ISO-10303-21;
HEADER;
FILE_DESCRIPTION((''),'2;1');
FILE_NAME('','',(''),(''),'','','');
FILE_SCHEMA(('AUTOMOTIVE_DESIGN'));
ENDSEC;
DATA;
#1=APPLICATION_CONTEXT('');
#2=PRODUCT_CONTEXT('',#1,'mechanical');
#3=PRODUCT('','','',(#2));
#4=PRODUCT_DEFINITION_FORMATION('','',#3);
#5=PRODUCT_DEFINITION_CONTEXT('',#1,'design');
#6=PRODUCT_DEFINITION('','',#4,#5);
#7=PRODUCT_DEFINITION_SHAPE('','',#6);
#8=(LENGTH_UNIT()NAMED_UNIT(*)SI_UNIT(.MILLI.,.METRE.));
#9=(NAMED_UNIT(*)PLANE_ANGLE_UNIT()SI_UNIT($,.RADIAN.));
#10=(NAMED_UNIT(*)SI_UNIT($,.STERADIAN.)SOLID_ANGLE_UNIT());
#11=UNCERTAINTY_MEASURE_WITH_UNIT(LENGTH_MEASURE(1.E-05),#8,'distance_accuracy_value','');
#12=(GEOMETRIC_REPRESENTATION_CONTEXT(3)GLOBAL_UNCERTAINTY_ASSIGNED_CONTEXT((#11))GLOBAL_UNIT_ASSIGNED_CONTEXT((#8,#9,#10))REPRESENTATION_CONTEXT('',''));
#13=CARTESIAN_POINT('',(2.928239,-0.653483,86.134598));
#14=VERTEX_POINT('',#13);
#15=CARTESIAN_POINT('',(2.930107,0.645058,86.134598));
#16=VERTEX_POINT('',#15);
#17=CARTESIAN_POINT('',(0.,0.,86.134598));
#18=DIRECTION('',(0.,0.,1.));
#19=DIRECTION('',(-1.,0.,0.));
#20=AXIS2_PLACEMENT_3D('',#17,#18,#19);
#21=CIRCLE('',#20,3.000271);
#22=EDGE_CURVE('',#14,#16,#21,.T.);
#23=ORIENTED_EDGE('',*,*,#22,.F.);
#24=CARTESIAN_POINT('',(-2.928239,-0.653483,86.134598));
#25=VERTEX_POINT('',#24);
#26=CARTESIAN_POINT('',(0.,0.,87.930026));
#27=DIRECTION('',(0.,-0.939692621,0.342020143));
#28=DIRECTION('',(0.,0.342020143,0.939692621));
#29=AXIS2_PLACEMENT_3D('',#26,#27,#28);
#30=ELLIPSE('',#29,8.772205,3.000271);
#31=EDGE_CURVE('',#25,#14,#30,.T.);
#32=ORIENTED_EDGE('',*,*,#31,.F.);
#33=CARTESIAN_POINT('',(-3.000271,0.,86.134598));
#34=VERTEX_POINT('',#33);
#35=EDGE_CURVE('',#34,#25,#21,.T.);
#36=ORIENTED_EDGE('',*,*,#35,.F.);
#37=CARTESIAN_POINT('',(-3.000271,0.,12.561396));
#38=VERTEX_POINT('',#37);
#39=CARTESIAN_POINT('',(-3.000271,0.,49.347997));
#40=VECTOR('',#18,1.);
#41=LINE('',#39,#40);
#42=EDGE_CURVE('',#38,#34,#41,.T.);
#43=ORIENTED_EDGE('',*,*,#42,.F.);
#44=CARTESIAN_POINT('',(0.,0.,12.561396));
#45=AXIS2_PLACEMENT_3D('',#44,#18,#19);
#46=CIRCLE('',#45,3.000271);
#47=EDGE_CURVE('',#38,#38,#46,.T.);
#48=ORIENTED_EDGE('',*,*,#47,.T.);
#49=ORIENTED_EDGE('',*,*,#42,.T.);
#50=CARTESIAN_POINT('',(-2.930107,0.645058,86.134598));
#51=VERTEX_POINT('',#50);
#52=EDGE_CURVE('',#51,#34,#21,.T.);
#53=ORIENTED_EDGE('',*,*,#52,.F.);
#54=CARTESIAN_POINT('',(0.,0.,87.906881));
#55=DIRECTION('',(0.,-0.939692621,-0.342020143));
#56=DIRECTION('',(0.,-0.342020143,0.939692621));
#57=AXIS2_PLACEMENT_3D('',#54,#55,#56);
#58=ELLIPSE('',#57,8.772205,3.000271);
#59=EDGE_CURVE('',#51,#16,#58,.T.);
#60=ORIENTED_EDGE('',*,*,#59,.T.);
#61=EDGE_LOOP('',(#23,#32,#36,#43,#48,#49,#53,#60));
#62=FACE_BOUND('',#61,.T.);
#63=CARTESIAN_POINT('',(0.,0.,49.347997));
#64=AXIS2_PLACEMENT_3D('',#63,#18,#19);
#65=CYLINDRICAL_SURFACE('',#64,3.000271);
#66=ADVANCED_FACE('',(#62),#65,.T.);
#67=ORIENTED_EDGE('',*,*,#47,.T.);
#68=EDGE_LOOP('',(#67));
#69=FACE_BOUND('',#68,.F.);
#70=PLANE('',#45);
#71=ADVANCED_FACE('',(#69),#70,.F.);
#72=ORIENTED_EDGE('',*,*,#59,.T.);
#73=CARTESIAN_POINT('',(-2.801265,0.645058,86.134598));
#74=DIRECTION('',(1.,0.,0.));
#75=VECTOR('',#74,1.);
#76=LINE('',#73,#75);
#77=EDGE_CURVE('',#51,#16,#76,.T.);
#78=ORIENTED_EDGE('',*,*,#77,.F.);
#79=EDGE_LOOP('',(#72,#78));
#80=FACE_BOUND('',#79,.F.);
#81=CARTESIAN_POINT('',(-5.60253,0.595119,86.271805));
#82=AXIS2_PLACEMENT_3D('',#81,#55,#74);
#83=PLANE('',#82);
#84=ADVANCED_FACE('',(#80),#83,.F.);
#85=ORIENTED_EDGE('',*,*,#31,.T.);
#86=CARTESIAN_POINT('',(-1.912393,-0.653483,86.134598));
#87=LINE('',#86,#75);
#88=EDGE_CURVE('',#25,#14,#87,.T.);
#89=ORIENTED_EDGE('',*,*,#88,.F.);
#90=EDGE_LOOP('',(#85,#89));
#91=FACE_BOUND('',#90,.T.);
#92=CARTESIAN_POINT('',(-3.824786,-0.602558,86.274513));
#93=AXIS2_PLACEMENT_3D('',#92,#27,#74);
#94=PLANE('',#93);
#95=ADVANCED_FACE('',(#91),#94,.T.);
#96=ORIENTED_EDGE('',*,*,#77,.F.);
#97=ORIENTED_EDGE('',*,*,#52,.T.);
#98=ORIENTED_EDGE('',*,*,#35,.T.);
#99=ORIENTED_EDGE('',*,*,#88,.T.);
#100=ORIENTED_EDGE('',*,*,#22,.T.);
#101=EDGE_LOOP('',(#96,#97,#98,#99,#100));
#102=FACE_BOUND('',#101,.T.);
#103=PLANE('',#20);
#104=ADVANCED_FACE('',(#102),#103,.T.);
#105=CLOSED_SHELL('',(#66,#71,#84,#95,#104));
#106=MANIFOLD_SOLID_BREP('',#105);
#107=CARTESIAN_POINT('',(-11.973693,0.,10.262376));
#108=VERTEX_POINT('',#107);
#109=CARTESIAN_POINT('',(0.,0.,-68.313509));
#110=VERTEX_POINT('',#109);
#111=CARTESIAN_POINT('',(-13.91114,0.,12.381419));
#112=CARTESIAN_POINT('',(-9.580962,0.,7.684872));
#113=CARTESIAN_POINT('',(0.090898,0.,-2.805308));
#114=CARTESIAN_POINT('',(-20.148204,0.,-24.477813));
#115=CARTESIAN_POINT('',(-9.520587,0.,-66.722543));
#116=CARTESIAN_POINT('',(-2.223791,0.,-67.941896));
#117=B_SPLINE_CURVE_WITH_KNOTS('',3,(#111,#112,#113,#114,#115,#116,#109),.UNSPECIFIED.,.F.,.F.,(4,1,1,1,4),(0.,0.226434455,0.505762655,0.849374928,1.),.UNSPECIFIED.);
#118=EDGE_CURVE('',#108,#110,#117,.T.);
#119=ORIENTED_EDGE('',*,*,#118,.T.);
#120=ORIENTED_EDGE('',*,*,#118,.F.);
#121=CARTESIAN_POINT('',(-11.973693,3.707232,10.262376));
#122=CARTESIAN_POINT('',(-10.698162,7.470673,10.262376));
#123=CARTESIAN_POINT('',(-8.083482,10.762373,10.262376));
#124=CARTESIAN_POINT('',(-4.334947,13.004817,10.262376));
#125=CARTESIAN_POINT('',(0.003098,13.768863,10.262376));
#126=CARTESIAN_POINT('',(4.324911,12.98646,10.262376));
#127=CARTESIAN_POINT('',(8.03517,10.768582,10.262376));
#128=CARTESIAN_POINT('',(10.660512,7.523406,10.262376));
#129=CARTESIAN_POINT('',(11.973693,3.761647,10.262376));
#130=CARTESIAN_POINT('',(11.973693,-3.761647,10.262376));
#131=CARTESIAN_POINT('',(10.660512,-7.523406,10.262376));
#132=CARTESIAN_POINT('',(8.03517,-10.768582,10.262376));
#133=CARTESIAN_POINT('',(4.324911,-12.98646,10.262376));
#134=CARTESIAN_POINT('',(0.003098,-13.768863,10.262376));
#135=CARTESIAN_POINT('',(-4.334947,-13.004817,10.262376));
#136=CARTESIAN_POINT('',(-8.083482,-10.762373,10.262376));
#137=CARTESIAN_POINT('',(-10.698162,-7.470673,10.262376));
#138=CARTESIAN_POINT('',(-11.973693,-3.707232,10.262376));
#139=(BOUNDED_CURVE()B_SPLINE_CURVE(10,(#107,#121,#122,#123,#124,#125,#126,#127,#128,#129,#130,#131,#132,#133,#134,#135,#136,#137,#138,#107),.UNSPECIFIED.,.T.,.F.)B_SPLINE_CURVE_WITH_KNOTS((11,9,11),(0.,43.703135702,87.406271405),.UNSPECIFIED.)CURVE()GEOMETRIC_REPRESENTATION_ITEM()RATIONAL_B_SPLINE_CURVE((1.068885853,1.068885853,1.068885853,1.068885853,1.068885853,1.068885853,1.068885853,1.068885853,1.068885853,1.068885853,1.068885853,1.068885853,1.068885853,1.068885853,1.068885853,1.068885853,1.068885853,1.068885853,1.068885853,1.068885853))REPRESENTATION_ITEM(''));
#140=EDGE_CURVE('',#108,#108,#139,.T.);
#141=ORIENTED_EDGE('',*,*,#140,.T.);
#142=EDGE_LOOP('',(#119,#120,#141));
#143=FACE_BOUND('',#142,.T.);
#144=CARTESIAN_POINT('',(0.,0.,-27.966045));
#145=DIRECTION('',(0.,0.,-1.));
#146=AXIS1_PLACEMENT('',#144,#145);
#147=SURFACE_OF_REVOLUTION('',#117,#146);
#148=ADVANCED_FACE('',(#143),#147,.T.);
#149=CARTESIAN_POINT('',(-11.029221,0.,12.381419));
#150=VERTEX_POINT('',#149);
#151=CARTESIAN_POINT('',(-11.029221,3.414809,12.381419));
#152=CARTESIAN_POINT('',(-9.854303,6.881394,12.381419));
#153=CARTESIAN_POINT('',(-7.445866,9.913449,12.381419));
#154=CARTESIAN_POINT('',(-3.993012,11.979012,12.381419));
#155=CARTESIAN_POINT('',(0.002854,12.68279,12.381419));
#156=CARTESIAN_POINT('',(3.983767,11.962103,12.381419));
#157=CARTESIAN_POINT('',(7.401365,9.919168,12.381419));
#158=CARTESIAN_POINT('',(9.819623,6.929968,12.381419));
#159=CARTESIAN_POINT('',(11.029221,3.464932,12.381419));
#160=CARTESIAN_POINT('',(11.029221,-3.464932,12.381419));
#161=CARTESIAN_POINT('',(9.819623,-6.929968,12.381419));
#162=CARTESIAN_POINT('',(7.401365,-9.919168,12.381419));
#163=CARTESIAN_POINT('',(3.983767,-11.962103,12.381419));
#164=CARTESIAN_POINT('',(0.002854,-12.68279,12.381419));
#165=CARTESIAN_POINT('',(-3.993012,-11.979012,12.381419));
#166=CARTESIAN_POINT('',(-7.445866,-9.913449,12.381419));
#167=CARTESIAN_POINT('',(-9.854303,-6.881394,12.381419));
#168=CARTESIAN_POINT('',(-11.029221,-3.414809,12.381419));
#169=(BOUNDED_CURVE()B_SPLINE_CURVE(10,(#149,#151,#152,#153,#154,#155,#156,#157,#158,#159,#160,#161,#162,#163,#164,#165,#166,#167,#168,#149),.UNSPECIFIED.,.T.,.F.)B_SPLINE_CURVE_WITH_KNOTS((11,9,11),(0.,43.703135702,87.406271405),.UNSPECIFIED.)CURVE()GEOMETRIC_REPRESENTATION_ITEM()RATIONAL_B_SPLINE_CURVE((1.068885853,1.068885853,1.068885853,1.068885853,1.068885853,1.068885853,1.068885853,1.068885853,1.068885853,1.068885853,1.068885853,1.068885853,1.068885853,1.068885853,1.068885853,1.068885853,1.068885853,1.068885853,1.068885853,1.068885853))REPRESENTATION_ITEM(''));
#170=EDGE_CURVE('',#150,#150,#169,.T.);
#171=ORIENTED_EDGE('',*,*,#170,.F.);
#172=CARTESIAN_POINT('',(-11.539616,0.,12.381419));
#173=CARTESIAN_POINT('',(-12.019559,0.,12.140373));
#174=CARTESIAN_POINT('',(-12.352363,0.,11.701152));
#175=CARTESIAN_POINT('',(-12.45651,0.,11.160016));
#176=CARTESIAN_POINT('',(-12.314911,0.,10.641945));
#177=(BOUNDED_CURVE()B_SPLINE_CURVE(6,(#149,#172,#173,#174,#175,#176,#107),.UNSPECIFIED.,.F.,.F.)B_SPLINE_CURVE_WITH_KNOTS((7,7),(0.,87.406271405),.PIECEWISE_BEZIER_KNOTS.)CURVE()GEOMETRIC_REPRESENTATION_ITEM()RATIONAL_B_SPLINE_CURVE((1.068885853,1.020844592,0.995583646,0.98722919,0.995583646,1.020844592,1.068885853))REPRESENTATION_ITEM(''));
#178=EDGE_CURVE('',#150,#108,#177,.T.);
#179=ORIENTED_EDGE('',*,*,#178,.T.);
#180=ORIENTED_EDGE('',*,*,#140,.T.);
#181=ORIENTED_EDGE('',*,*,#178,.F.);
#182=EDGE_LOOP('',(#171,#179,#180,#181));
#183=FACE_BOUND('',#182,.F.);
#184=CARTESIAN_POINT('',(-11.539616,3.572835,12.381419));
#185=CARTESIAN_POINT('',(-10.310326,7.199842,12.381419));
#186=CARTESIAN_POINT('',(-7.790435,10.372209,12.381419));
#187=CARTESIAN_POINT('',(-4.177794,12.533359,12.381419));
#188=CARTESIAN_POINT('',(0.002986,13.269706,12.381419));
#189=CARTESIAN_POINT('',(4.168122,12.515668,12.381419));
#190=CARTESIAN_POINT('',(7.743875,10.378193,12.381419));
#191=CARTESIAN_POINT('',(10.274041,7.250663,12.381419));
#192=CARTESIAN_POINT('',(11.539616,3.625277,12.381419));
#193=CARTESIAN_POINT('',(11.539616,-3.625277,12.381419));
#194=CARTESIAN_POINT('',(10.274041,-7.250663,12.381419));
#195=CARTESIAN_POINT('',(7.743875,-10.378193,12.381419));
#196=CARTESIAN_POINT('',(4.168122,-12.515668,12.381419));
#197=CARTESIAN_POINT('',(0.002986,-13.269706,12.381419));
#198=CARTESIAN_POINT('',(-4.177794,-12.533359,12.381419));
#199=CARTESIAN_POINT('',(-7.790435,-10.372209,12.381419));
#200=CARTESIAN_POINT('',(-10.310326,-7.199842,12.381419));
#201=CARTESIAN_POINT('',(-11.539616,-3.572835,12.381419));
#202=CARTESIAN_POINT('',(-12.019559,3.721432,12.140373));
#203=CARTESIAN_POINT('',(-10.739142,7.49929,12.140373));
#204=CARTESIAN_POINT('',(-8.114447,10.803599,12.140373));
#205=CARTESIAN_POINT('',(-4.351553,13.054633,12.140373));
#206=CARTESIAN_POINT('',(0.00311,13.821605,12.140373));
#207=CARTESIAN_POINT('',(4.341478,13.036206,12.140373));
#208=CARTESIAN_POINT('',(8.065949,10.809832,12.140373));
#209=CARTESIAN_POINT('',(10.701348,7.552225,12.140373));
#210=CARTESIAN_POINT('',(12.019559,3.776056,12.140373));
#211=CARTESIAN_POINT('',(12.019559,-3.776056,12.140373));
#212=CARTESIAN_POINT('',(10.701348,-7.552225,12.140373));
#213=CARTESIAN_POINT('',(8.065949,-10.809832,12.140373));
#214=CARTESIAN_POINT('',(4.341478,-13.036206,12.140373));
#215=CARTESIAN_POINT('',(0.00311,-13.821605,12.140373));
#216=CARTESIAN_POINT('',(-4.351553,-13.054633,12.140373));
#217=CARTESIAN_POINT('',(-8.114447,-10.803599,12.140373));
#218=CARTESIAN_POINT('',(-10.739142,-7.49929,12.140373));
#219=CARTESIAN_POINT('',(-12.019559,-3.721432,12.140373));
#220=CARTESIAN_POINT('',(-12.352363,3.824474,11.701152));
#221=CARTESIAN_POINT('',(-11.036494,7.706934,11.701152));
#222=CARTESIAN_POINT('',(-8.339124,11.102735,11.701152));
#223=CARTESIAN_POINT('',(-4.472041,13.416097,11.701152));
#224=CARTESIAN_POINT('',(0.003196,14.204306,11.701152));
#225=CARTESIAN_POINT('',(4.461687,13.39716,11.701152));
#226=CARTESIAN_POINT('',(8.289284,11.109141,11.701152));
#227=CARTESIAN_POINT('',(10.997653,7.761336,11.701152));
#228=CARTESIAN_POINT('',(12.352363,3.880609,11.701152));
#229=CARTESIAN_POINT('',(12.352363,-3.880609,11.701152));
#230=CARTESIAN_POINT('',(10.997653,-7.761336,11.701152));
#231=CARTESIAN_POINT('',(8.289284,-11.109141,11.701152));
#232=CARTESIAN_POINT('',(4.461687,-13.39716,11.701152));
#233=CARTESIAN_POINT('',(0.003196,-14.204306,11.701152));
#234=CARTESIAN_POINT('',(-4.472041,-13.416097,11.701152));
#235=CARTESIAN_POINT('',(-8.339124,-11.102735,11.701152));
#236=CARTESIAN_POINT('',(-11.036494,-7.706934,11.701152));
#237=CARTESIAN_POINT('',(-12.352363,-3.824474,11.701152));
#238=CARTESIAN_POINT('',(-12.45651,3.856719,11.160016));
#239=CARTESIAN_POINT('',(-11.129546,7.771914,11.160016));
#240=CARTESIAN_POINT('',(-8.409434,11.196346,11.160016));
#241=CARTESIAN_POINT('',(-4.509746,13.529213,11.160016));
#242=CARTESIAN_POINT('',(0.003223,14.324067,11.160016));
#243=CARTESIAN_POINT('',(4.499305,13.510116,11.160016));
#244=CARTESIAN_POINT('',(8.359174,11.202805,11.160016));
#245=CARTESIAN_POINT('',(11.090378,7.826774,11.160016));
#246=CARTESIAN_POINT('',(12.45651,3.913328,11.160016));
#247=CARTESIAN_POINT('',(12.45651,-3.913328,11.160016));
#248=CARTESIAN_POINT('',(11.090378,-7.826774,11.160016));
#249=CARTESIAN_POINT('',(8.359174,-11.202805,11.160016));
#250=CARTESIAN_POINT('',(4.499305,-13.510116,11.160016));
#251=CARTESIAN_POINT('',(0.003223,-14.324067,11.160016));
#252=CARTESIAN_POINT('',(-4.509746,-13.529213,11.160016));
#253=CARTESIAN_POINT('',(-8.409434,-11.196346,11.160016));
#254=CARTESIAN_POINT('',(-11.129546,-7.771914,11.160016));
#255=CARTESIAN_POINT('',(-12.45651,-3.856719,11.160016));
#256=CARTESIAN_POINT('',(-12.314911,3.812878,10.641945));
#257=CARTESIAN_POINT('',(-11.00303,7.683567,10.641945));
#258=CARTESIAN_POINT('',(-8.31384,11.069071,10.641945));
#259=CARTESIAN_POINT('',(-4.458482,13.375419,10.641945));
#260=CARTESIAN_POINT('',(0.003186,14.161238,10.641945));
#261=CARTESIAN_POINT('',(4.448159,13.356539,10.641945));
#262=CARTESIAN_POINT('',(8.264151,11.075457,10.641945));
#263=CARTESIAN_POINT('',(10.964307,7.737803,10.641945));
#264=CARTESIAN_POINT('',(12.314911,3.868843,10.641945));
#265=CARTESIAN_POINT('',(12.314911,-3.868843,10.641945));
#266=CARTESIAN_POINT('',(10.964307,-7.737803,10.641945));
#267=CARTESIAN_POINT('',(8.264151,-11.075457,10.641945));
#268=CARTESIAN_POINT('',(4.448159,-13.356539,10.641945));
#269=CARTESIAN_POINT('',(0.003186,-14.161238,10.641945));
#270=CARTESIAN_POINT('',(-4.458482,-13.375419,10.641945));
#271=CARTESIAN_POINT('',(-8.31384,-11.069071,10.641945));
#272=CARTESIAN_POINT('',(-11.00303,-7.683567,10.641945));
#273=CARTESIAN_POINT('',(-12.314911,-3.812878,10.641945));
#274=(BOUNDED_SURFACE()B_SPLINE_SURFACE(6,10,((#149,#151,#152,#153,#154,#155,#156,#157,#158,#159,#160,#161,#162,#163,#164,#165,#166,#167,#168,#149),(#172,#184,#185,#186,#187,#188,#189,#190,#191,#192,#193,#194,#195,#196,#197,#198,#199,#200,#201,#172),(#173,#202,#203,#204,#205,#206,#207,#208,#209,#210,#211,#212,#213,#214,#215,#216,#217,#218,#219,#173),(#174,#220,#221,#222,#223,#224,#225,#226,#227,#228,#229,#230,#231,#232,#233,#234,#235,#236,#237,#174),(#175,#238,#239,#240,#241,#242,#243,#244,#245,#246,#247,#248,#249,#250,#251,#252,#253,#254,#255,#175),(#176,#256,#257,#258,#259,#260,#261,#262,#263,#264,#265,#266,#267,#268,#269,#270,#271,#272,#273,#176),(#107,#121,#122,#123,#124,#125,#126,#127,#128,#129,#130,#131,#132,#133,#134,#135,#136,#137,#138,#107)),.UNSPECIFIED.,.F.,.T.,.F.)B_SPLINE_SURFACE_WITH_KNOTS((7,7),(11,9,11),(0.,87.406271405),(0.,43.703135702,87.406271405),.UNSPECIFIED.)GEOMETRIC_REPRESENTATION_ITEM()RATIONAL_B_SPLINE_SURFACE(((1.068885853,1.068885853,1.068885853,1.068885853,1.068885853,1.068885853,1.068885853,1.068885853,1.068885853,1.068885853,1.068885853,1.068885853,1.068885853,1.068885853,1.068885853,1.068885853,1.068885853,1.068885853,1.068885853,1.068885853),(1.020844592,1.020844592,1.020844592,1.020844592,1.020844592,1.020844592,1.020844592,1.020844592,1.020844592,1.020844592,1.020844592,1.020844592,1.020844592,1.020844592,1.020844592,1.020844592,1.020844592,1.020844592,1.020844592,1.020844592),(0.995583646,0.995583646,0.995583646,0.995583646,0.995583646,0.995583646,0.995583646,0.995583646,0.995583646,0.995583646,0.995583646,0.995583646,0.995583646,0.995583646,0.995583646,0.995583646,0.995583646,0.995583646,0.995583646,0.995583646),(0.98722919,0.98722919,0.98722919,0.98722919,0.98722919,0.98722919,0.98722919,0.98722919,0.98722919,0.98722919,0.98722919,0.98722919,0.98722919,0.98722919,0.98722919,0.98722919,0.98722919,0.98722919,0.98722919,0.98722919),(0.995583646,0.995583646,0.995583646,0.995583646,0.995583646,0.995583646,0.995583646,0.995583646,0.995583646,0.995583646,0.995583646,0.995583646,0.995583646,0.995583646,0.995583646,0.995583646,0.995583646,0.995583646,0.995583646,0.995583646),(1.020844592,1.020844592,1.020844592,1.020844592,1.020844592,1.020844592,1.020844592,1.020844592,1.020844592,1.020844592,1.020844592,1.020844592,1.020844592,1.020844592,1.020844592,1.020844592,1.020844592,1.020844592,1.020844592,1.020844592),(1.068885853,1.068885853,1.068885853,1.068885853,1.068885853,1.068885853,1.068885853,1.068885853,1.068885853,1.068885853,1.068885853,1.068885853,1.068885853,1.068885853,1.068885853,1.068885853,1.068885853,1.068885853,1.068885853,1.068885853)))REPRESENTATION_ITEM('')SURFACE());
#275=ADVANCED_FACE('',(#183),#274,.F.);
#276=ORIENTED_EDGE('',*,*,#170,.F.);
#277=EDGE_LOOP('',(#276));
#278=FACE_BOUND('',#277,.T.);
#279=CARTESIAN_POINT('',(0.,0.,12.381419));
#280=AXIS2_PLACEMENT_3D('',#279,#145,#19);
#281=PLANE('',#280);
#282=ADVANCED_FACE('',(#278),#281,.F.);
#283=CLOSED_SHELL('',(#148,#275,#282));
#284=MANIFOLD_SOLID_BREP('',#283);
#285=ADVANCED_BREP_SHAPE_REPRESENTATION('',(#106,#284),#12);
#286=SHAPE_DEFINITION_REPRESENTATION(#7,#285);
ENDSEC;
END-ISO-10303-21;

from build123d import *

# Parameters (mm, degrees)
F2_R      = 1.27
F3_W      = 3.0002708081
F3_H      = 73.5732018948
F9_W      = 7.7560471836
F9_H      = 2.3883096874
F10_DEPTH = 25.4
F12_W     = 10.7434005477
F12_H     = 2.3329779506
F13_DEPTH = 25.4


with BuildPart() as f1:
    # F0 (on Front) → F1 (revolve)
    with BuildSketch(Plane.XZ):
        with BuildLine():
            Line((0, -68.3135092258), (0, 12.3814186081))
            Line((0, 12.3814186081), (-13.9111401513, 12.3814186081))
            add(Edge.make_bspline(
                [(-13.9111401513, 12.3814186081), (-9.58096201, 7.6848716654), (0.0908981683, -2.8053076917), (-20.148204209, -24.4778128446), (-9.5205867688, -66.7225426654), (-2.223790727, -67.941895924), (0, -68.3135092258)],
                knots=[0, 0, 0, 0, 0.2264344554, 0.5057626546, 0.8493749285, 1, 1, 1, 1], degree=3))
        make_face()
    revolve(axis=Axis((0, 0, -27.9660453089), (0, 0, -1)))

    # F2
    f2_edges = [f1.edges().sort_by_distance(p)[0] for p in [
        (13.91114, 0, 12.381419),
    ]]
    fillet(f2_edges, radius=F2_R)


with BuildPart() as f4:
    # F3 (on Front) → F4 (revolve)
    with BuildSketch(Plane.XZ):
        with Locations((-1.5001354041, 49.3479967117)):
            Rectangle(F3_W, F3_H)
    revolve(axis=Axis((0, 0, 49.3479967117), (0, 0, 1)))

    # F9 (on face) → F10 (cut)
    with BuildSketch(Plane(origin=(0, 27.6576081545, 75.9886538807), x_dir=(1, 0, 0), z_dir=(0, -0.3420201433, -0.9396926208))):
        with Locations((0.0532375416, 31.2679950148)):
            Rectangle(F9_W, F9_H)
    extrude(amount=F10_DEPTH, mode=Mode.SUBTRACT)

    # F12 (on face) → F13 (cut)
    with BuildSketch(Plane(origin=(0, -27.6576081545, 75.9886538807), x_dir=(1, 0, 0), z_dir=(0, 0.3420201433, -0.9396926208))):
        with Locations((-0.2308294643, -31.2324129045)):
            Rectangle(F12_W, F12_H)
    extrude(amount=F13_DEPTH, mode=Mode.SUBTRACT)


solid = Compound([f1.part, f4.part])
